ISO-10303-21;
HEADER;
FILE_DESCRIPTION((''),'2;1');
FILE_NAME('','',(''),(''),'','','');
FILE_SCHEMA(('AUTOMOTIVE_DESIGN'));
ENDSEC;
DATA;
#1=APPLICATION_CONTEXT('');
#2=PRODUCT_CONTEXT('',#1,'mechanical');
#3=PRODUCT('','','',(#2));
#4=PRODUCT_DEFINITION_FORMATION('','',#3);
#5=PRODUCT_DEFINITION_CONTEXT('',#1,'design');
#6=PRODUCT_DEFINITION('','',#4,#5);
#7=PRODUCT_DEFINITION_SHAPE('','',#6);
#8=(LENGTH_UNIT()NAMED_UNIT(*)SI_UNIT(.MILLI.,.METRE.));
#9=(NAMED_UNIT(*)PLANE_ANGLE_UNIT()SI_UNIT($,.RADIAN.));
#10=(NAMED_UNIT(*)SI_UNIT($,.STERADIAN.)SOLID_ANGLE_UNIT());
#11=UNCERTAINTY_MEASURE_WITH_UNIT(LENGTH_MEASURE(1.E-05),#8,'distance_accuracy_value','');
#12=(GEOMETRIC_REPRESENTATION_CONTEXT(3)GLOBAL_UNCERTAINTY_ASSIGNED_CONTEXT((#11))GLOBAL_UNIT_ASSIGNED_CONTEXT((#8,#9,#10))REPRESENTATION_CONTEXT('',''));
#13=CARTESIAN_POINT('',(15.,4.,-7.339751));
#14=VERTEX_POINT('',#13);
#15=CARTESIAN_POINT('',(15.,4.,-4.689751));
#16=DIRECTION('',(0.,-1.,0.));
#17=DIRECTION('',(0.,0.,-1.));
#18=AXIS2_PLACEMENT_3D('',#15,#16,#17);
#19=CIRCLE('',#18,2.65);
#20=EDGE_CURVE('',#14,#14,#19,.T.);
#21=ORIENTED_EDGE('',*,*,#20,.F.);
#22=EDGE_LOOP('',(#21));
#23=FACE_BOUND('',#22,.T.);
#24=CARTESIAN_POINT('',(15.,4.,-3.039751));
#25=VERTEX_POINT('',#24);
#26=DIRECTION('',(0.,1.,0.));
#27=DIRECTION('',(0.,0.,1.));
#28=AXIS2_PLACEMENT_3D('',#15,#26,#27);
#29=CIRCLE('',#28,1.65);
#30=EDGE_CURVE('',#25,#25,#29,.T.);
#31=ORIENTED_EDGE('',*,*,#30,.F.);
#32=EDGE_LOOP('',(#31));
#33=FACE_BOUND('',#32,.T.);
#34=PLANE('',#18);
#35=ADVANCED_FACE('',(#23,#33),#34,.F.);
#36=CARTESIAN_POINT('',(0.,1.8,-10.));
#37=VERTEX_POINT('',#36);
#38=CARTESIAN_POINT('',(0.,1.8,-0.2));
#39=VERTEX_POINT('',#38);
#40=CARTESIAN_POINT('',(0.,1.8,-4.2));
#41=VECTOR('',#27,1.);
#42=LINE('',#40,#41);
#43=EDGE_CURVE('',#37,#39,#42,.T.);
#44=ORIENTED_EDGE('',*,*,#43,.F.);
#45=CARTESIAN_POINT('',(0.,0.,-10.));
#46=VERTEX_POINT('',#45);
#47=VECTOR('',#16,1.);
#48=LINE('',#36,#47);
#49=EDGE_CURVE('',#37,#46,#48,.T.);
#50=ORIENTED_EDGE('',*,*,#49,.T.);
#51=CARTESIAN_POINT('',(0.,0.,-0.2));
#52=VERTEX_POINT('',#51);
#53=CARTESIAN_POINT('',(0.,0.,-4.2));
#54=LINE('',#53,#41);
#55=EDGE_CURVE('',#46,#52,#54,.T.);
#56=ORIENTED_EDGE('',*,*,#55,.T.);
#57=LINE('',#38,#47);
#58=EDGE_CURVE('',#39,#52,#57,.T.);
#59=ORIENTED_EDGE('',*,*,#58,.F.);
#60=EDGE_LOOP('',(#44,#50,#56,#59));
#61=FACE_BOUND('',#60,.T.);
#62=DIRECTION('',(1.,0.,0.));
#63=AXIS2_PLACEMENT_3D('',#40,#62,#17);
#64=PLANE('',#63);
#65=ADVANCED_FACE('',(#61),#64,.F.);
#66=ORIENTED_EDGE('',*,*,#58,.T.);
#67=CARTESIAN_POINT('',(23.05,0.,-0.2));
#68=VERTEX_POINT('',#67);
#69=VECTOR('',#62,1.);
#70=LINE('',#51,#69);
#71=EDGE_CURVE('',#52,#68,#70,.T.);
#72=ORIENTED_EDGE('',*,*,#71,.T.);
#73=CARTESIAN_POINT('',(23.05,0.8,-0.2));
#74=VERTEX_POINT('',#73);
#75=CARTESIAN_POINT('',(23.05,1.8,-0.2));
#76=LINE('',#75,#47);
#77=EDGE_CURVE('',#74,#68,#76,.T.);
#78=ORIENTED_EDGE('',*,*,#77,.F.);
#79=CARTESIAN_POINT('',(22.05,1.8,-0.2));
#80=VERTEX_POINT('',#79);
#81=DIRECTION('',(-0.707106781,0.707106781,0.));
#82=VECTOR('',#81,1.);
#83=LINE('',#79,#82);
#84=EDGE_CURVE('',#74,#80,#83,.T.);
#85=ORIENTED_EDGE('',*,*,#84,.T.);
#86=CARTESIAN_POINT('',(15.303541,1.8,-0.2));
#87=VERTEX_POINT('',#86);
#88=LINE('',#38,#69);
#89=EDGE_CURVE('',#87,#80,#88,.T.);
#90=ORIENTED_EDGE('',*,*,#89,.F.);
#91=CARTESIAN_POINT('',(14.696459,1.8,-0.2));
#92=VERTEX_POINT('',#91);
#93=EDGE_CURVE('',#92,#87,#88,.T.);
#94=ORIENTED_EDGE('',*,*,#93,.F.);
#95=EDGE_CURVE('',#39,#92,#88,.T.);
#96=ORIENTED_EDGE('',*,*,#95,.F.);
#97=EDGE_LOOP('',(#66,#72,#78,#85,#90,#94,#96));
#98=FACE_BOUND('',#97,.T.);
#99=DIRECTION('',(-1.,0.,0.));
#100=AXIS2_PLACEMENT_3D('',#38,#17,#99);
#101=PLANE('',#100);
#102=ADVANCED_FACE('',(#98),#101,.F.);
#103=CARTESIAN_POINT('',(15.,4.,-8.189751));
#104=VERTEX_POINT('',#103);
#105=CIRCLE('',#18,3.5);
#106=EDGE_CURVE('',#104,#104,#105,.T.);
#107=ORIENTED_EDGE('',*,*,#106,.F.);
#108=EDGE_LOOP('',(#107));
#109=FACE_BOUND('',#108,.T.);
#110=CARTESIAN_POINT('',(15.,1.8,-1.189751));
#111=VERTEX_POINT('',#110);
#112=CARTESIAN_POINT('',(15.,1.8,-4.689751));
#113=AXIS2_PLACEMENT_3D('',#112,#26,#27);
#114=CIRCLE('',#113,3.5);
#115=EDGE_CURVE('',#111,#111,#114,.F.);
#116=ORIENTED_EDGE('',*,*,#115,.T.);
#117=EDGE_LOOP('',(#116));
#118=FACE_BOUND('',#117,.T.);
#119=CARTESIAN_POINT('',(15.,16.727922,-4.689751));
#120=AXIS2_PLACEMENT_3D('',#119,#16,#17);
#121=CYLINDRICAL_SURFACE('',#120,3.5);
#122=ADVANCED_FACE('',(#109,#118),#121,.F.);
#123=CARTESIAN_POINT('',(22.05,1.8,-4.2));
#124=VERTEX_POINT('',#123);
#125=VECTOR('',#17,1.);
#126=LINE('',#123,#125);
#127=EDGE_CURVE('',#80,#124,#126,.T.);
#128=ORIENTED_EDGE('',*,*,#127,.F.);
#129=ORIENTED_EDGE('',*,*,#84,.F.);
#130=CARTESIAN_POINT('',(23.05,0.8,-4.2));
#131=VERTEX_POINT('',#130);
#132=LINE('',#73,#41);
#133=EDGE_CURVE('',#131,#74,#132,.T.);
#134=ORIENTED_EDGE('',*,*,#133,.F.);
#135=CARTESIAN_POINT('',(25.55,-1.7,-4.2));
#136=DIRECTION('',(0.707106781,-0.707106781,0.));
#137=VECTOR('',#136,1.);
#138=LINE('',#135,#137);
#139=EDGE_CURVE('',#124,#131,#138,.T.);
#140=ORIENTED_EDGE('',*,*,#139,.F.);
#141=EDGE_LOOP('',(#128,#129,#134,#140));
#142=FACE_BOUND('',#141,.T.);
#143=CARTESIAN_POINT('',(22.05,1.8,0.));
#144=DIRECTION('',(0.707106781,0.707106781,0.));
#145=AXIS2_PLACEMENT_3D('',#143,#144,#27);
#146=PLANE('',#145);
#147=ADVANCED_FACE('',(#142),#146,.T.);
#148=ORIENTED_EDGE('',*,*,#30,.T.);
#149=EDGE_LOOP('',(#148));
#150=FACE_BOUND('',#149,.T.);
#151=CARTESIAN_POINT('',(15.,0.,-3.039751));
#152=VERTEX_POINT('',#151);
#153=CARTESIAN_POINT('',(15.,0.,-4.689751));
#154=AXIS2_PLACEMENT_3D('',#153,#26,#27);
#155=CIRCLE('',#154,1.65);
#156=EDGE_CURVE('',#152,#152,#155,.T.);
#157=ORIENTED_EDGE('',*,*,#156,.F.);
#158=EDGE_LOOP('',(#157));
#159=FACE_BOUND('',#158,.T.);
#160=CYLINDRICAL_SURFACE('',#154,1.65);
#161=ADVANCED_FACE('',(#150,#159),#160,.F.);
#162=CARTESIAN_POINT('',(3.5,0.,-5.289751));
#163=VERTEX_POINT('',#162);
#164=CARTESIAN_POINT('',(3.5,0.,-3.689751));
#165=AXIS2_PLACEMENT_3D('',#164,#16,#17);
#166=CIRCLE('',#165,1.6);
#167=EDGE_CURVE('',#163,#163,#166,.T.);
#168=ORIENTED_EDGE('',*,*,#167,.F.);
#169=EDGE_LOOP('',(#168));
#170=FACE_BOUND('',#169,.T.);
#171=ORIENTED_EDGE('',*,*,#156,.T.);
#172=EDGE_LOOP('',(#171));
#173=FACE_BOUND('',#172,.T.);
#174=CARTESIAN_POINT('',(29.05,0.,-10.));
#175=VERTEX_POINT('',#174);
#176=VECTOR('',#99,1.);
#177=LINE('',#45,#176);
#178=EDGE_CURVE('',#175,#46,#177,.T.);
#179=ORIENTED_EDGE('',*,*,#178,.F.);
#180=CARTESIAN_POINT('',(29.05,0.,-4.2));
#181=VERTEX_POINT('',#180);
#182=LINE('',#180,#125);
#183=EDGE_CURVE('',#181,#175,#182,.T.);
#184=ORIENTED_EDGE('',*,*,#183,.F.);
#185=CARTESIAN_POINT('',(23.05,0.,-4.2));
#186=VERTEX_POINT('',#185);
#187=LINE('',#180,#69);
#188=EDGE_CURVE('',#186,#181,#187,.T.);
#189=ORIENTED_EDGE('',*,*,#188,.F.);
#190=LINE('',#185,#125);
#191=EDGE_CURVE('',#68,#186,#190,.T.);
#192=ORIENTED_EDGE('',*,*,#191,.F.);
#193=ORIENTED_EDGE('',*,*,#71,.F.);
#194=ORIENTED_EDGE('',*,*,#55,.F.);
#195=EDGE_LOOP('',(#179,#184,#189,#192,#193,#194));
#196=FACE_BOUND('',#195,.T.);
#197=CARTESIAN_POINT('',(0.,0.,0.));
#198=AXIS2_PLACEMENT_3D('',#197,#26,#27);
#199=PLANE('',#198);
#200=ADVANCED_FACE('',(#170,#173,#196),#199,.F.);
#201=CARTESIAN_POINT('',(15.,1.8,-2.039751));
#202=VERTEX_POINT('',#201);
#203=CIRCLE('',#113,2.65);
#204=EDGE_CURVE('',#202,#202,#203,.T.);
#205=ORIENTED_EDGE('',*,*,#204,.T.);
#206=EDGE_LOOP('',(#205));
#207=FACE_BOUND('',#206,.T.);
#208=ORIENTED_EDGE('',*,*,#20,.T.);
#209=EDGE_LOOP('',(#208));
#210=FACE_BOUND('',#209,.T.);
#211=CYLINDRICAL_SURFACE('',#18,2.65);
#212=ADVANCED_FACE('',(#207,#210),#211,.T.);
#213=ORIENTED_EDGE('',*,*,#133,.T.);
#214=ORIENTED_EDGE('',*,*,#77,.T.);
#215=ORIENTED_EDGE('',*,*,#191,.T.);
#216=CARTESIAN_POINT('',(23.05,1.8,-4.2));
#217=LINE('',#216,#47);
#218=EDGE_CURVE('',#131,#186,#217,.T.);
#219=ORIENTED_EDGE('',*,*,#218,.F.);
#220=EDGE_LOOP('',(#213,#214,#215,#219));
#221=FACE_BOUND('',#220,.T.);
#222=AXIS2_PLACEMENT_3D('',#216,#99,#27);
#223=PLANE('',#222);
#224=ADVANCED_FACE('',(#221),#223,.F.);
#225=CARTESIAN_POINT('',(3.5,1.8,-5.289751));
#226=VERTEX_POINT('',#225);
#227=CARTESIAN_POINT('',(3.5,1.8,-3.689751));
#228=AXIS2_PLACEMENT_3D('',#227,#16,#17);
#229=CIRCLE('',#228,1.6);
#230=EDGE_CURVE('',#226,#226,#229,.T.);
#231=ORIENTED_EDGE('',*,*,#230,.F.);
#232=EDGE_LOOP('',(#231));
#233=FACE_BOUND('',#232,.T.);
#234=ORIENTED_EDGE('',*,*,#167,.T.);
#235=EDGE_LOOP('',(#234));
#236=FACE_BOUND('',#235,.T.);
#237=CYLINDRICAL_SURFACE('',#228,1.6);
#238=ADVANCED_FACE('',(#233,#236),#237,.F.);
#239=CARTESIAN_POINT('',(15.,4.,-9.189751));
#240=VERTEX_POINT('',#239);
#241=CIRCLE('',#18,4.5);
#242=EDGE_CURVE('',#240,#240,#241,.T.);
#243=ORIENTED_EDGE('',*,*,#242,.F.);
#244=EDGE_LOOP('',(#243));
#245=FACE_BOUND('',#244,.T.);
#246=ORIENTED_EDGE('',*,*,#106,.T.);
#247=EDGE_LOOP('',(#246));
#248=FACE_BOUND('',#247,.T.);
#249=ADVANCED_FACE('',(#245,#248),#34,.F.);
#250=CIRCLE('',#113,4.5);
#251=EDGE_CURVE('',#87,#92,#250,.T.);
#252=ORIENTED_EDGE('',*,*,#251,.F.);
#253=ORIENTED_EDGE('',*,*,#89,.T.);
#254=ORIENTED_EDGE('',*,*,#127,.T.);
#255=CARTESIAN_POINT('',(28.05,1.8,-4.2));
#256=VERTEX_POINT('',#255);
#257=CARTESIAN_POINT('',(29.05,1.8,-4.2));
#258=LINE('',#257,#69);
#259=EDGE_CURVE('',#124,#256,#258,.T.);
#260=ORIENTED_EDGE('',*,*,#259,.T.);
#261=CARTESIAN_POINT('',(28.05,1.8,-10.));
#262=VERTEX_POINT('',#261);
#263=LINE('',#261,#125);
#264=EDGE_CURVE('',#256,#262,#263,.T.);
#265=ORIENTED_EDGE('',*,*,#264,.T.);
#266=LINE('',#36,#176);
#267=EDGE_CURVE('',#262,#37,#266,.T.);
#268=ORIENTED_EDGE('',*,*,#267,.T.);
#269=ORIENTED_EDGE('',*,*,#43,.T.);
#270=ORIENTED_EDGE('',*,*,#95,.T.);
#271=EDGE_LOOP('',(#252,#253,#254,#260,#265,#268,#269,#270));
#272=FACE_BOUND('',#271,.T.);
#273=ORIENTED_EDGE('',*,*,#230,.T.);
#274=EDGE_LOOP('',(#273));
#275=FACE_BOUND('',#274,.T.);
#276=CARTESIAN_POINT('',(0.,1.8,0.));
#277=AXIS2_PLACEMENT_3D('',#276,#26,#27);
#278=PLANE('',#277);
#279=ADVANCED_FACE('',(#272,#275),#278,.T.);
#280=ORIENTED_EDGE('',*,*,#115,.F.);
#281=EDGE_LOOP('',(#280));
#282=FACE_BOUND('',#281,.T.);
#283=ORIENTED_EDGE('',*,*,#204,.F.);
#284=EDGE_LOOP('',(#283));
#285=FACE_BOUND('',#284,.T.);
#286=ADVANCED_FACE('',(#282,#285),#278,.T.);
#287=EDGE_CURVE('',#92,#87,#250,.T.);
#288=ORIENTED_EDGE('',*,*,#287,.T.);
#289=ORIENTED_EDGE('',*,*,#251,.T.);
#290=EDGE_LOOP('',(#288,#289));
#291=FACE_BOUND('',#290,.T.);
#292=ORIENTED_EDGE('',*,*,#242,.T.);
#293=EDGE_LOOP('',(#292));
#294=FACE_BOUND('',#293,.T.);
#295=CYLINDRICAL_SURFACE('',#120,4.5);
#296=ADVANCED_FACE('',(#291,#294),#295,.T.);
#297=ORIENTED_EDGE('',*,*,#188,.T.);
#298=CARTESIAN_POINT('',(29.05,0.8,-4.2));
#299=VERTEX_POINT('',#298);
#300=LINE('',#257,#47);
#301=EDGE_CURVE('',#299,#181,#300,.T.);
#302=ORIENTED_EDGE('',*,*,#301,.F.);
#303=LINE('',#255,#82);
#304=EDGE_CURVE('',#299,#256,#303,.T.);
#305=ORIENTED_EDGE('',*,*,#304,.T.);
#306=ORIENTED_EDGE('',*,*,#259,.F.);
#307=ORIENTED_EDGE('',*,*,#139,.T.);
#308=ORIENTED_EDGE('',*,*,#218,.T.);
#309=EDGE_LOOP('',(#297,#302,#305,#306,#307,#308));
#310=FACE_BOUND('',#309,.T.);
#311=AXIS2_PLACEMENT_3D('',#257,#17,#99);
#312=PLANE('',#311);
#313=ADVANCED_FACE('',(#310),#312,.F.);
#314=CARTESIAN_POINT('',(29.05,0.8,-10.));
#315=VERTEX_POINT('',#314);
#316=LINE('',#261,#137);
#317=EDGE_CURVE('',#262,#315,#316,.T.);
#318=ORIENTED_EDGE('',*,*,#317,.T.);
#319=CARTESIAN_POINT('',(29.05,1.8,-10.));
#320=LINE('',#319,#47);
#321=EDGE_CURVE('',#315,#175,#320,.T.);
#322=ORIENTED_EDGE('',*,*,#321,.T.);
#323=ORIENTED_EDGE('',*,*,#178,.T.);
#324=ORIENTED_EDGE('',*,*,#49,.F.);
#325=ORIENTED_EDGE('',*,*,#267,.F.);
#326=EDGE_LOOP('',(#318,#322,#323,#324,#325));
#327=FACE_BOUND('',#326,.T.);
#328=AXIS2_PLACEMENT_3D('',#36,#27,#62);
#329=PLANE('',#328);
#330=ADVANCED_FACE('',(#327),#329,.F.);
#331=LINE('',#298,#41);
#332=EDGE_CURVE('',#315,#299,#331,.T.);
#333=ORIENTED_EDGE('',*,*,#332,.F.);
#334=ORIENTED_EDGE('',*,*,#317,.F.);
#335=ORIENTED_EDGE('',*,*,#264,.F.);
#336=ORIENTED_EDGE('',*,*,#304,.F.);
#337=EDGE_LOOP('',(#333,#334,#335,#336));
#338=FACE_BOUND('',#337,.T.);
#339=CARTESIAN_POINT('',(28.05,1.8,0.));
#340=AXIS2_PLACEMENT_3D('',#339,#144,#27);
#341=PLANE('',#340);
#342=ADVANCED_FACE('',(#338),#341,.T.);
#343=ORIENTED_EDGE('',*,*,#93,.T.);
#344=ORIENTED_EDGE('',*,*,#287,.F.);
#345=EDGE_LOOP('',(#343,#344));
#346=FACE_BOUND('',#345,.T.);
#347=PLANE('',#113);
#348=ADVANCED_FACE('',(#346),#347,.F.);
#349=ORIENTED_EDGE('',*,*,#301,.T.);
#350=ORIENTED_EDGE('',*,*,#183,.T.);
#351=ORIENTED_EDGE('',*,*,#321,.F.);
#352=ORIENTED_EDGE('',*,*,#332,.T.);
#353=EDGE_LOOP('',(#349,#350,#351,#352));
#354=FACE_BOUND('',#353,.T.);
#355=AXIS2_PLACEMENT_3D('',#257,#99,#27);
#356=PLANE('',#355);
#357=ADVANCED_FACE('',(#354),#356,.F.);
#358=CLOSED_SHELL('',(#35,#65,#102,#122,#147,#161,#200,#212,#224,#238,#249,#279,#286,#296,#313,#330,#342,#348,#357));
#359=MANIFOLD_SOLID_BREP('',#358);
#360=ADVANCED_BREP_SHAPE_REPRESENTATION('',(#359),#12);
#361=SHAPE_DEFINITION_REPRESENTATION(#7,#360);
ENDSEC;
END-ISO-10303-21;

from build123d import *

# Parameters (mm, degrees)
BOSS_EXTRUDE1_DEPTH = 1.8
SKETCH3_R           = 1.6
CUT_EXTRUDE1_DEPTH  = 31.775680334
SKETCH4_R           = 2.65
BOSS_EXTRUDE2_DEPTH = 4
SKETCH5_R           = 1.65
CUT_EXTRUDE2_DEPTH  = 31.98229333
SKETCH7_R           = 4.5
SKETCH7_R_2         = 3.5
BOSS_EXTRUDE4_DEPTH = 2.2
CHAMFER2_SIZE       = 1


with BuildPart() as part:
    # Sketch1 → Boss-Extrude1 (new body)
    with BuildSketch(Plane(origin=(0, 0, 0), x_dir=(1, 0, 0), z_dir=(0, 1, 0))):
        Polygon((0, 0.2), (23.05, 0.2), (23.05, 4.2), (29.05, 4.2), (29.05, 10), (0, 10), (0, 4.2), align=None)
    extrude(amount=BOSS_EXTRUDE1_DEPTH)

    # Sketch3 → Cut-Extrude1 (cut, through all)
    with BuildSketch(Plane.XZ):
        with Locations(Location((3.5, -3.689750901, 0), (0, 0, 270))):
            Circle(SKETCH3_R)
    extrude(amount=-CUT_EXTRUDE1_DEPTH, mode=Mode.SUBTRACT)

    # Sketch4 → Boss-Extrude2 (add)
    with BuildSketch(Plane.XZ):
        with Locations(Location((15, -4.689750901, 0), (0, 0, 270))):
            Circle(SKETCH4_R)
    extrude(amount=-BOSS_EXTRUDE2_DEPTH)

    # Sketch5 → Cut-Extrude2 (cut, through all)
    with BuildSketch(Plane(origin=(0, 4, 0), x_dir=(1, 0, 0), z_dir=(0, 1, 0))):
        with Locations(Location((15, 4.689750901, 0), (0, 0, 270))):
            Circle(SKETCH5_R)
    extrude(amount=-CUT_EXTRUDE2_DEPTH, mode=Mode.SUBTRACT)

    # Sketch7 → Boss-Extrude4 (add)
    with BuildSketch(Plane(origin=(0, 1.8, 0), x_dir=(1, 0, 0), z_dir=(0, 1, 0))):
        with Locations(Location((15, 4.689750901, 0), (0, 0, 90))):
            Circle(SKETCH7_R)
        with Locations(Location((15, 4.689750901, 0), (0, 0, 90))):
            Circle(SKETCH7_R_2, mode=Mode.SUBTRACT)
    extrude(amount=BOSS_EXTRUDE4_DEPTH)

    # Chamfer2
    chamfer2_edges = [part.edges().sort_by_distance(p)[0] for p in [
        (23.05, 1.8, -2.2),
        (29.05, 1.8, -7.1),
    ]]
    chamfer(chamfer2_edges, length=CHAMFER2_SIZE)


solid = part.part
